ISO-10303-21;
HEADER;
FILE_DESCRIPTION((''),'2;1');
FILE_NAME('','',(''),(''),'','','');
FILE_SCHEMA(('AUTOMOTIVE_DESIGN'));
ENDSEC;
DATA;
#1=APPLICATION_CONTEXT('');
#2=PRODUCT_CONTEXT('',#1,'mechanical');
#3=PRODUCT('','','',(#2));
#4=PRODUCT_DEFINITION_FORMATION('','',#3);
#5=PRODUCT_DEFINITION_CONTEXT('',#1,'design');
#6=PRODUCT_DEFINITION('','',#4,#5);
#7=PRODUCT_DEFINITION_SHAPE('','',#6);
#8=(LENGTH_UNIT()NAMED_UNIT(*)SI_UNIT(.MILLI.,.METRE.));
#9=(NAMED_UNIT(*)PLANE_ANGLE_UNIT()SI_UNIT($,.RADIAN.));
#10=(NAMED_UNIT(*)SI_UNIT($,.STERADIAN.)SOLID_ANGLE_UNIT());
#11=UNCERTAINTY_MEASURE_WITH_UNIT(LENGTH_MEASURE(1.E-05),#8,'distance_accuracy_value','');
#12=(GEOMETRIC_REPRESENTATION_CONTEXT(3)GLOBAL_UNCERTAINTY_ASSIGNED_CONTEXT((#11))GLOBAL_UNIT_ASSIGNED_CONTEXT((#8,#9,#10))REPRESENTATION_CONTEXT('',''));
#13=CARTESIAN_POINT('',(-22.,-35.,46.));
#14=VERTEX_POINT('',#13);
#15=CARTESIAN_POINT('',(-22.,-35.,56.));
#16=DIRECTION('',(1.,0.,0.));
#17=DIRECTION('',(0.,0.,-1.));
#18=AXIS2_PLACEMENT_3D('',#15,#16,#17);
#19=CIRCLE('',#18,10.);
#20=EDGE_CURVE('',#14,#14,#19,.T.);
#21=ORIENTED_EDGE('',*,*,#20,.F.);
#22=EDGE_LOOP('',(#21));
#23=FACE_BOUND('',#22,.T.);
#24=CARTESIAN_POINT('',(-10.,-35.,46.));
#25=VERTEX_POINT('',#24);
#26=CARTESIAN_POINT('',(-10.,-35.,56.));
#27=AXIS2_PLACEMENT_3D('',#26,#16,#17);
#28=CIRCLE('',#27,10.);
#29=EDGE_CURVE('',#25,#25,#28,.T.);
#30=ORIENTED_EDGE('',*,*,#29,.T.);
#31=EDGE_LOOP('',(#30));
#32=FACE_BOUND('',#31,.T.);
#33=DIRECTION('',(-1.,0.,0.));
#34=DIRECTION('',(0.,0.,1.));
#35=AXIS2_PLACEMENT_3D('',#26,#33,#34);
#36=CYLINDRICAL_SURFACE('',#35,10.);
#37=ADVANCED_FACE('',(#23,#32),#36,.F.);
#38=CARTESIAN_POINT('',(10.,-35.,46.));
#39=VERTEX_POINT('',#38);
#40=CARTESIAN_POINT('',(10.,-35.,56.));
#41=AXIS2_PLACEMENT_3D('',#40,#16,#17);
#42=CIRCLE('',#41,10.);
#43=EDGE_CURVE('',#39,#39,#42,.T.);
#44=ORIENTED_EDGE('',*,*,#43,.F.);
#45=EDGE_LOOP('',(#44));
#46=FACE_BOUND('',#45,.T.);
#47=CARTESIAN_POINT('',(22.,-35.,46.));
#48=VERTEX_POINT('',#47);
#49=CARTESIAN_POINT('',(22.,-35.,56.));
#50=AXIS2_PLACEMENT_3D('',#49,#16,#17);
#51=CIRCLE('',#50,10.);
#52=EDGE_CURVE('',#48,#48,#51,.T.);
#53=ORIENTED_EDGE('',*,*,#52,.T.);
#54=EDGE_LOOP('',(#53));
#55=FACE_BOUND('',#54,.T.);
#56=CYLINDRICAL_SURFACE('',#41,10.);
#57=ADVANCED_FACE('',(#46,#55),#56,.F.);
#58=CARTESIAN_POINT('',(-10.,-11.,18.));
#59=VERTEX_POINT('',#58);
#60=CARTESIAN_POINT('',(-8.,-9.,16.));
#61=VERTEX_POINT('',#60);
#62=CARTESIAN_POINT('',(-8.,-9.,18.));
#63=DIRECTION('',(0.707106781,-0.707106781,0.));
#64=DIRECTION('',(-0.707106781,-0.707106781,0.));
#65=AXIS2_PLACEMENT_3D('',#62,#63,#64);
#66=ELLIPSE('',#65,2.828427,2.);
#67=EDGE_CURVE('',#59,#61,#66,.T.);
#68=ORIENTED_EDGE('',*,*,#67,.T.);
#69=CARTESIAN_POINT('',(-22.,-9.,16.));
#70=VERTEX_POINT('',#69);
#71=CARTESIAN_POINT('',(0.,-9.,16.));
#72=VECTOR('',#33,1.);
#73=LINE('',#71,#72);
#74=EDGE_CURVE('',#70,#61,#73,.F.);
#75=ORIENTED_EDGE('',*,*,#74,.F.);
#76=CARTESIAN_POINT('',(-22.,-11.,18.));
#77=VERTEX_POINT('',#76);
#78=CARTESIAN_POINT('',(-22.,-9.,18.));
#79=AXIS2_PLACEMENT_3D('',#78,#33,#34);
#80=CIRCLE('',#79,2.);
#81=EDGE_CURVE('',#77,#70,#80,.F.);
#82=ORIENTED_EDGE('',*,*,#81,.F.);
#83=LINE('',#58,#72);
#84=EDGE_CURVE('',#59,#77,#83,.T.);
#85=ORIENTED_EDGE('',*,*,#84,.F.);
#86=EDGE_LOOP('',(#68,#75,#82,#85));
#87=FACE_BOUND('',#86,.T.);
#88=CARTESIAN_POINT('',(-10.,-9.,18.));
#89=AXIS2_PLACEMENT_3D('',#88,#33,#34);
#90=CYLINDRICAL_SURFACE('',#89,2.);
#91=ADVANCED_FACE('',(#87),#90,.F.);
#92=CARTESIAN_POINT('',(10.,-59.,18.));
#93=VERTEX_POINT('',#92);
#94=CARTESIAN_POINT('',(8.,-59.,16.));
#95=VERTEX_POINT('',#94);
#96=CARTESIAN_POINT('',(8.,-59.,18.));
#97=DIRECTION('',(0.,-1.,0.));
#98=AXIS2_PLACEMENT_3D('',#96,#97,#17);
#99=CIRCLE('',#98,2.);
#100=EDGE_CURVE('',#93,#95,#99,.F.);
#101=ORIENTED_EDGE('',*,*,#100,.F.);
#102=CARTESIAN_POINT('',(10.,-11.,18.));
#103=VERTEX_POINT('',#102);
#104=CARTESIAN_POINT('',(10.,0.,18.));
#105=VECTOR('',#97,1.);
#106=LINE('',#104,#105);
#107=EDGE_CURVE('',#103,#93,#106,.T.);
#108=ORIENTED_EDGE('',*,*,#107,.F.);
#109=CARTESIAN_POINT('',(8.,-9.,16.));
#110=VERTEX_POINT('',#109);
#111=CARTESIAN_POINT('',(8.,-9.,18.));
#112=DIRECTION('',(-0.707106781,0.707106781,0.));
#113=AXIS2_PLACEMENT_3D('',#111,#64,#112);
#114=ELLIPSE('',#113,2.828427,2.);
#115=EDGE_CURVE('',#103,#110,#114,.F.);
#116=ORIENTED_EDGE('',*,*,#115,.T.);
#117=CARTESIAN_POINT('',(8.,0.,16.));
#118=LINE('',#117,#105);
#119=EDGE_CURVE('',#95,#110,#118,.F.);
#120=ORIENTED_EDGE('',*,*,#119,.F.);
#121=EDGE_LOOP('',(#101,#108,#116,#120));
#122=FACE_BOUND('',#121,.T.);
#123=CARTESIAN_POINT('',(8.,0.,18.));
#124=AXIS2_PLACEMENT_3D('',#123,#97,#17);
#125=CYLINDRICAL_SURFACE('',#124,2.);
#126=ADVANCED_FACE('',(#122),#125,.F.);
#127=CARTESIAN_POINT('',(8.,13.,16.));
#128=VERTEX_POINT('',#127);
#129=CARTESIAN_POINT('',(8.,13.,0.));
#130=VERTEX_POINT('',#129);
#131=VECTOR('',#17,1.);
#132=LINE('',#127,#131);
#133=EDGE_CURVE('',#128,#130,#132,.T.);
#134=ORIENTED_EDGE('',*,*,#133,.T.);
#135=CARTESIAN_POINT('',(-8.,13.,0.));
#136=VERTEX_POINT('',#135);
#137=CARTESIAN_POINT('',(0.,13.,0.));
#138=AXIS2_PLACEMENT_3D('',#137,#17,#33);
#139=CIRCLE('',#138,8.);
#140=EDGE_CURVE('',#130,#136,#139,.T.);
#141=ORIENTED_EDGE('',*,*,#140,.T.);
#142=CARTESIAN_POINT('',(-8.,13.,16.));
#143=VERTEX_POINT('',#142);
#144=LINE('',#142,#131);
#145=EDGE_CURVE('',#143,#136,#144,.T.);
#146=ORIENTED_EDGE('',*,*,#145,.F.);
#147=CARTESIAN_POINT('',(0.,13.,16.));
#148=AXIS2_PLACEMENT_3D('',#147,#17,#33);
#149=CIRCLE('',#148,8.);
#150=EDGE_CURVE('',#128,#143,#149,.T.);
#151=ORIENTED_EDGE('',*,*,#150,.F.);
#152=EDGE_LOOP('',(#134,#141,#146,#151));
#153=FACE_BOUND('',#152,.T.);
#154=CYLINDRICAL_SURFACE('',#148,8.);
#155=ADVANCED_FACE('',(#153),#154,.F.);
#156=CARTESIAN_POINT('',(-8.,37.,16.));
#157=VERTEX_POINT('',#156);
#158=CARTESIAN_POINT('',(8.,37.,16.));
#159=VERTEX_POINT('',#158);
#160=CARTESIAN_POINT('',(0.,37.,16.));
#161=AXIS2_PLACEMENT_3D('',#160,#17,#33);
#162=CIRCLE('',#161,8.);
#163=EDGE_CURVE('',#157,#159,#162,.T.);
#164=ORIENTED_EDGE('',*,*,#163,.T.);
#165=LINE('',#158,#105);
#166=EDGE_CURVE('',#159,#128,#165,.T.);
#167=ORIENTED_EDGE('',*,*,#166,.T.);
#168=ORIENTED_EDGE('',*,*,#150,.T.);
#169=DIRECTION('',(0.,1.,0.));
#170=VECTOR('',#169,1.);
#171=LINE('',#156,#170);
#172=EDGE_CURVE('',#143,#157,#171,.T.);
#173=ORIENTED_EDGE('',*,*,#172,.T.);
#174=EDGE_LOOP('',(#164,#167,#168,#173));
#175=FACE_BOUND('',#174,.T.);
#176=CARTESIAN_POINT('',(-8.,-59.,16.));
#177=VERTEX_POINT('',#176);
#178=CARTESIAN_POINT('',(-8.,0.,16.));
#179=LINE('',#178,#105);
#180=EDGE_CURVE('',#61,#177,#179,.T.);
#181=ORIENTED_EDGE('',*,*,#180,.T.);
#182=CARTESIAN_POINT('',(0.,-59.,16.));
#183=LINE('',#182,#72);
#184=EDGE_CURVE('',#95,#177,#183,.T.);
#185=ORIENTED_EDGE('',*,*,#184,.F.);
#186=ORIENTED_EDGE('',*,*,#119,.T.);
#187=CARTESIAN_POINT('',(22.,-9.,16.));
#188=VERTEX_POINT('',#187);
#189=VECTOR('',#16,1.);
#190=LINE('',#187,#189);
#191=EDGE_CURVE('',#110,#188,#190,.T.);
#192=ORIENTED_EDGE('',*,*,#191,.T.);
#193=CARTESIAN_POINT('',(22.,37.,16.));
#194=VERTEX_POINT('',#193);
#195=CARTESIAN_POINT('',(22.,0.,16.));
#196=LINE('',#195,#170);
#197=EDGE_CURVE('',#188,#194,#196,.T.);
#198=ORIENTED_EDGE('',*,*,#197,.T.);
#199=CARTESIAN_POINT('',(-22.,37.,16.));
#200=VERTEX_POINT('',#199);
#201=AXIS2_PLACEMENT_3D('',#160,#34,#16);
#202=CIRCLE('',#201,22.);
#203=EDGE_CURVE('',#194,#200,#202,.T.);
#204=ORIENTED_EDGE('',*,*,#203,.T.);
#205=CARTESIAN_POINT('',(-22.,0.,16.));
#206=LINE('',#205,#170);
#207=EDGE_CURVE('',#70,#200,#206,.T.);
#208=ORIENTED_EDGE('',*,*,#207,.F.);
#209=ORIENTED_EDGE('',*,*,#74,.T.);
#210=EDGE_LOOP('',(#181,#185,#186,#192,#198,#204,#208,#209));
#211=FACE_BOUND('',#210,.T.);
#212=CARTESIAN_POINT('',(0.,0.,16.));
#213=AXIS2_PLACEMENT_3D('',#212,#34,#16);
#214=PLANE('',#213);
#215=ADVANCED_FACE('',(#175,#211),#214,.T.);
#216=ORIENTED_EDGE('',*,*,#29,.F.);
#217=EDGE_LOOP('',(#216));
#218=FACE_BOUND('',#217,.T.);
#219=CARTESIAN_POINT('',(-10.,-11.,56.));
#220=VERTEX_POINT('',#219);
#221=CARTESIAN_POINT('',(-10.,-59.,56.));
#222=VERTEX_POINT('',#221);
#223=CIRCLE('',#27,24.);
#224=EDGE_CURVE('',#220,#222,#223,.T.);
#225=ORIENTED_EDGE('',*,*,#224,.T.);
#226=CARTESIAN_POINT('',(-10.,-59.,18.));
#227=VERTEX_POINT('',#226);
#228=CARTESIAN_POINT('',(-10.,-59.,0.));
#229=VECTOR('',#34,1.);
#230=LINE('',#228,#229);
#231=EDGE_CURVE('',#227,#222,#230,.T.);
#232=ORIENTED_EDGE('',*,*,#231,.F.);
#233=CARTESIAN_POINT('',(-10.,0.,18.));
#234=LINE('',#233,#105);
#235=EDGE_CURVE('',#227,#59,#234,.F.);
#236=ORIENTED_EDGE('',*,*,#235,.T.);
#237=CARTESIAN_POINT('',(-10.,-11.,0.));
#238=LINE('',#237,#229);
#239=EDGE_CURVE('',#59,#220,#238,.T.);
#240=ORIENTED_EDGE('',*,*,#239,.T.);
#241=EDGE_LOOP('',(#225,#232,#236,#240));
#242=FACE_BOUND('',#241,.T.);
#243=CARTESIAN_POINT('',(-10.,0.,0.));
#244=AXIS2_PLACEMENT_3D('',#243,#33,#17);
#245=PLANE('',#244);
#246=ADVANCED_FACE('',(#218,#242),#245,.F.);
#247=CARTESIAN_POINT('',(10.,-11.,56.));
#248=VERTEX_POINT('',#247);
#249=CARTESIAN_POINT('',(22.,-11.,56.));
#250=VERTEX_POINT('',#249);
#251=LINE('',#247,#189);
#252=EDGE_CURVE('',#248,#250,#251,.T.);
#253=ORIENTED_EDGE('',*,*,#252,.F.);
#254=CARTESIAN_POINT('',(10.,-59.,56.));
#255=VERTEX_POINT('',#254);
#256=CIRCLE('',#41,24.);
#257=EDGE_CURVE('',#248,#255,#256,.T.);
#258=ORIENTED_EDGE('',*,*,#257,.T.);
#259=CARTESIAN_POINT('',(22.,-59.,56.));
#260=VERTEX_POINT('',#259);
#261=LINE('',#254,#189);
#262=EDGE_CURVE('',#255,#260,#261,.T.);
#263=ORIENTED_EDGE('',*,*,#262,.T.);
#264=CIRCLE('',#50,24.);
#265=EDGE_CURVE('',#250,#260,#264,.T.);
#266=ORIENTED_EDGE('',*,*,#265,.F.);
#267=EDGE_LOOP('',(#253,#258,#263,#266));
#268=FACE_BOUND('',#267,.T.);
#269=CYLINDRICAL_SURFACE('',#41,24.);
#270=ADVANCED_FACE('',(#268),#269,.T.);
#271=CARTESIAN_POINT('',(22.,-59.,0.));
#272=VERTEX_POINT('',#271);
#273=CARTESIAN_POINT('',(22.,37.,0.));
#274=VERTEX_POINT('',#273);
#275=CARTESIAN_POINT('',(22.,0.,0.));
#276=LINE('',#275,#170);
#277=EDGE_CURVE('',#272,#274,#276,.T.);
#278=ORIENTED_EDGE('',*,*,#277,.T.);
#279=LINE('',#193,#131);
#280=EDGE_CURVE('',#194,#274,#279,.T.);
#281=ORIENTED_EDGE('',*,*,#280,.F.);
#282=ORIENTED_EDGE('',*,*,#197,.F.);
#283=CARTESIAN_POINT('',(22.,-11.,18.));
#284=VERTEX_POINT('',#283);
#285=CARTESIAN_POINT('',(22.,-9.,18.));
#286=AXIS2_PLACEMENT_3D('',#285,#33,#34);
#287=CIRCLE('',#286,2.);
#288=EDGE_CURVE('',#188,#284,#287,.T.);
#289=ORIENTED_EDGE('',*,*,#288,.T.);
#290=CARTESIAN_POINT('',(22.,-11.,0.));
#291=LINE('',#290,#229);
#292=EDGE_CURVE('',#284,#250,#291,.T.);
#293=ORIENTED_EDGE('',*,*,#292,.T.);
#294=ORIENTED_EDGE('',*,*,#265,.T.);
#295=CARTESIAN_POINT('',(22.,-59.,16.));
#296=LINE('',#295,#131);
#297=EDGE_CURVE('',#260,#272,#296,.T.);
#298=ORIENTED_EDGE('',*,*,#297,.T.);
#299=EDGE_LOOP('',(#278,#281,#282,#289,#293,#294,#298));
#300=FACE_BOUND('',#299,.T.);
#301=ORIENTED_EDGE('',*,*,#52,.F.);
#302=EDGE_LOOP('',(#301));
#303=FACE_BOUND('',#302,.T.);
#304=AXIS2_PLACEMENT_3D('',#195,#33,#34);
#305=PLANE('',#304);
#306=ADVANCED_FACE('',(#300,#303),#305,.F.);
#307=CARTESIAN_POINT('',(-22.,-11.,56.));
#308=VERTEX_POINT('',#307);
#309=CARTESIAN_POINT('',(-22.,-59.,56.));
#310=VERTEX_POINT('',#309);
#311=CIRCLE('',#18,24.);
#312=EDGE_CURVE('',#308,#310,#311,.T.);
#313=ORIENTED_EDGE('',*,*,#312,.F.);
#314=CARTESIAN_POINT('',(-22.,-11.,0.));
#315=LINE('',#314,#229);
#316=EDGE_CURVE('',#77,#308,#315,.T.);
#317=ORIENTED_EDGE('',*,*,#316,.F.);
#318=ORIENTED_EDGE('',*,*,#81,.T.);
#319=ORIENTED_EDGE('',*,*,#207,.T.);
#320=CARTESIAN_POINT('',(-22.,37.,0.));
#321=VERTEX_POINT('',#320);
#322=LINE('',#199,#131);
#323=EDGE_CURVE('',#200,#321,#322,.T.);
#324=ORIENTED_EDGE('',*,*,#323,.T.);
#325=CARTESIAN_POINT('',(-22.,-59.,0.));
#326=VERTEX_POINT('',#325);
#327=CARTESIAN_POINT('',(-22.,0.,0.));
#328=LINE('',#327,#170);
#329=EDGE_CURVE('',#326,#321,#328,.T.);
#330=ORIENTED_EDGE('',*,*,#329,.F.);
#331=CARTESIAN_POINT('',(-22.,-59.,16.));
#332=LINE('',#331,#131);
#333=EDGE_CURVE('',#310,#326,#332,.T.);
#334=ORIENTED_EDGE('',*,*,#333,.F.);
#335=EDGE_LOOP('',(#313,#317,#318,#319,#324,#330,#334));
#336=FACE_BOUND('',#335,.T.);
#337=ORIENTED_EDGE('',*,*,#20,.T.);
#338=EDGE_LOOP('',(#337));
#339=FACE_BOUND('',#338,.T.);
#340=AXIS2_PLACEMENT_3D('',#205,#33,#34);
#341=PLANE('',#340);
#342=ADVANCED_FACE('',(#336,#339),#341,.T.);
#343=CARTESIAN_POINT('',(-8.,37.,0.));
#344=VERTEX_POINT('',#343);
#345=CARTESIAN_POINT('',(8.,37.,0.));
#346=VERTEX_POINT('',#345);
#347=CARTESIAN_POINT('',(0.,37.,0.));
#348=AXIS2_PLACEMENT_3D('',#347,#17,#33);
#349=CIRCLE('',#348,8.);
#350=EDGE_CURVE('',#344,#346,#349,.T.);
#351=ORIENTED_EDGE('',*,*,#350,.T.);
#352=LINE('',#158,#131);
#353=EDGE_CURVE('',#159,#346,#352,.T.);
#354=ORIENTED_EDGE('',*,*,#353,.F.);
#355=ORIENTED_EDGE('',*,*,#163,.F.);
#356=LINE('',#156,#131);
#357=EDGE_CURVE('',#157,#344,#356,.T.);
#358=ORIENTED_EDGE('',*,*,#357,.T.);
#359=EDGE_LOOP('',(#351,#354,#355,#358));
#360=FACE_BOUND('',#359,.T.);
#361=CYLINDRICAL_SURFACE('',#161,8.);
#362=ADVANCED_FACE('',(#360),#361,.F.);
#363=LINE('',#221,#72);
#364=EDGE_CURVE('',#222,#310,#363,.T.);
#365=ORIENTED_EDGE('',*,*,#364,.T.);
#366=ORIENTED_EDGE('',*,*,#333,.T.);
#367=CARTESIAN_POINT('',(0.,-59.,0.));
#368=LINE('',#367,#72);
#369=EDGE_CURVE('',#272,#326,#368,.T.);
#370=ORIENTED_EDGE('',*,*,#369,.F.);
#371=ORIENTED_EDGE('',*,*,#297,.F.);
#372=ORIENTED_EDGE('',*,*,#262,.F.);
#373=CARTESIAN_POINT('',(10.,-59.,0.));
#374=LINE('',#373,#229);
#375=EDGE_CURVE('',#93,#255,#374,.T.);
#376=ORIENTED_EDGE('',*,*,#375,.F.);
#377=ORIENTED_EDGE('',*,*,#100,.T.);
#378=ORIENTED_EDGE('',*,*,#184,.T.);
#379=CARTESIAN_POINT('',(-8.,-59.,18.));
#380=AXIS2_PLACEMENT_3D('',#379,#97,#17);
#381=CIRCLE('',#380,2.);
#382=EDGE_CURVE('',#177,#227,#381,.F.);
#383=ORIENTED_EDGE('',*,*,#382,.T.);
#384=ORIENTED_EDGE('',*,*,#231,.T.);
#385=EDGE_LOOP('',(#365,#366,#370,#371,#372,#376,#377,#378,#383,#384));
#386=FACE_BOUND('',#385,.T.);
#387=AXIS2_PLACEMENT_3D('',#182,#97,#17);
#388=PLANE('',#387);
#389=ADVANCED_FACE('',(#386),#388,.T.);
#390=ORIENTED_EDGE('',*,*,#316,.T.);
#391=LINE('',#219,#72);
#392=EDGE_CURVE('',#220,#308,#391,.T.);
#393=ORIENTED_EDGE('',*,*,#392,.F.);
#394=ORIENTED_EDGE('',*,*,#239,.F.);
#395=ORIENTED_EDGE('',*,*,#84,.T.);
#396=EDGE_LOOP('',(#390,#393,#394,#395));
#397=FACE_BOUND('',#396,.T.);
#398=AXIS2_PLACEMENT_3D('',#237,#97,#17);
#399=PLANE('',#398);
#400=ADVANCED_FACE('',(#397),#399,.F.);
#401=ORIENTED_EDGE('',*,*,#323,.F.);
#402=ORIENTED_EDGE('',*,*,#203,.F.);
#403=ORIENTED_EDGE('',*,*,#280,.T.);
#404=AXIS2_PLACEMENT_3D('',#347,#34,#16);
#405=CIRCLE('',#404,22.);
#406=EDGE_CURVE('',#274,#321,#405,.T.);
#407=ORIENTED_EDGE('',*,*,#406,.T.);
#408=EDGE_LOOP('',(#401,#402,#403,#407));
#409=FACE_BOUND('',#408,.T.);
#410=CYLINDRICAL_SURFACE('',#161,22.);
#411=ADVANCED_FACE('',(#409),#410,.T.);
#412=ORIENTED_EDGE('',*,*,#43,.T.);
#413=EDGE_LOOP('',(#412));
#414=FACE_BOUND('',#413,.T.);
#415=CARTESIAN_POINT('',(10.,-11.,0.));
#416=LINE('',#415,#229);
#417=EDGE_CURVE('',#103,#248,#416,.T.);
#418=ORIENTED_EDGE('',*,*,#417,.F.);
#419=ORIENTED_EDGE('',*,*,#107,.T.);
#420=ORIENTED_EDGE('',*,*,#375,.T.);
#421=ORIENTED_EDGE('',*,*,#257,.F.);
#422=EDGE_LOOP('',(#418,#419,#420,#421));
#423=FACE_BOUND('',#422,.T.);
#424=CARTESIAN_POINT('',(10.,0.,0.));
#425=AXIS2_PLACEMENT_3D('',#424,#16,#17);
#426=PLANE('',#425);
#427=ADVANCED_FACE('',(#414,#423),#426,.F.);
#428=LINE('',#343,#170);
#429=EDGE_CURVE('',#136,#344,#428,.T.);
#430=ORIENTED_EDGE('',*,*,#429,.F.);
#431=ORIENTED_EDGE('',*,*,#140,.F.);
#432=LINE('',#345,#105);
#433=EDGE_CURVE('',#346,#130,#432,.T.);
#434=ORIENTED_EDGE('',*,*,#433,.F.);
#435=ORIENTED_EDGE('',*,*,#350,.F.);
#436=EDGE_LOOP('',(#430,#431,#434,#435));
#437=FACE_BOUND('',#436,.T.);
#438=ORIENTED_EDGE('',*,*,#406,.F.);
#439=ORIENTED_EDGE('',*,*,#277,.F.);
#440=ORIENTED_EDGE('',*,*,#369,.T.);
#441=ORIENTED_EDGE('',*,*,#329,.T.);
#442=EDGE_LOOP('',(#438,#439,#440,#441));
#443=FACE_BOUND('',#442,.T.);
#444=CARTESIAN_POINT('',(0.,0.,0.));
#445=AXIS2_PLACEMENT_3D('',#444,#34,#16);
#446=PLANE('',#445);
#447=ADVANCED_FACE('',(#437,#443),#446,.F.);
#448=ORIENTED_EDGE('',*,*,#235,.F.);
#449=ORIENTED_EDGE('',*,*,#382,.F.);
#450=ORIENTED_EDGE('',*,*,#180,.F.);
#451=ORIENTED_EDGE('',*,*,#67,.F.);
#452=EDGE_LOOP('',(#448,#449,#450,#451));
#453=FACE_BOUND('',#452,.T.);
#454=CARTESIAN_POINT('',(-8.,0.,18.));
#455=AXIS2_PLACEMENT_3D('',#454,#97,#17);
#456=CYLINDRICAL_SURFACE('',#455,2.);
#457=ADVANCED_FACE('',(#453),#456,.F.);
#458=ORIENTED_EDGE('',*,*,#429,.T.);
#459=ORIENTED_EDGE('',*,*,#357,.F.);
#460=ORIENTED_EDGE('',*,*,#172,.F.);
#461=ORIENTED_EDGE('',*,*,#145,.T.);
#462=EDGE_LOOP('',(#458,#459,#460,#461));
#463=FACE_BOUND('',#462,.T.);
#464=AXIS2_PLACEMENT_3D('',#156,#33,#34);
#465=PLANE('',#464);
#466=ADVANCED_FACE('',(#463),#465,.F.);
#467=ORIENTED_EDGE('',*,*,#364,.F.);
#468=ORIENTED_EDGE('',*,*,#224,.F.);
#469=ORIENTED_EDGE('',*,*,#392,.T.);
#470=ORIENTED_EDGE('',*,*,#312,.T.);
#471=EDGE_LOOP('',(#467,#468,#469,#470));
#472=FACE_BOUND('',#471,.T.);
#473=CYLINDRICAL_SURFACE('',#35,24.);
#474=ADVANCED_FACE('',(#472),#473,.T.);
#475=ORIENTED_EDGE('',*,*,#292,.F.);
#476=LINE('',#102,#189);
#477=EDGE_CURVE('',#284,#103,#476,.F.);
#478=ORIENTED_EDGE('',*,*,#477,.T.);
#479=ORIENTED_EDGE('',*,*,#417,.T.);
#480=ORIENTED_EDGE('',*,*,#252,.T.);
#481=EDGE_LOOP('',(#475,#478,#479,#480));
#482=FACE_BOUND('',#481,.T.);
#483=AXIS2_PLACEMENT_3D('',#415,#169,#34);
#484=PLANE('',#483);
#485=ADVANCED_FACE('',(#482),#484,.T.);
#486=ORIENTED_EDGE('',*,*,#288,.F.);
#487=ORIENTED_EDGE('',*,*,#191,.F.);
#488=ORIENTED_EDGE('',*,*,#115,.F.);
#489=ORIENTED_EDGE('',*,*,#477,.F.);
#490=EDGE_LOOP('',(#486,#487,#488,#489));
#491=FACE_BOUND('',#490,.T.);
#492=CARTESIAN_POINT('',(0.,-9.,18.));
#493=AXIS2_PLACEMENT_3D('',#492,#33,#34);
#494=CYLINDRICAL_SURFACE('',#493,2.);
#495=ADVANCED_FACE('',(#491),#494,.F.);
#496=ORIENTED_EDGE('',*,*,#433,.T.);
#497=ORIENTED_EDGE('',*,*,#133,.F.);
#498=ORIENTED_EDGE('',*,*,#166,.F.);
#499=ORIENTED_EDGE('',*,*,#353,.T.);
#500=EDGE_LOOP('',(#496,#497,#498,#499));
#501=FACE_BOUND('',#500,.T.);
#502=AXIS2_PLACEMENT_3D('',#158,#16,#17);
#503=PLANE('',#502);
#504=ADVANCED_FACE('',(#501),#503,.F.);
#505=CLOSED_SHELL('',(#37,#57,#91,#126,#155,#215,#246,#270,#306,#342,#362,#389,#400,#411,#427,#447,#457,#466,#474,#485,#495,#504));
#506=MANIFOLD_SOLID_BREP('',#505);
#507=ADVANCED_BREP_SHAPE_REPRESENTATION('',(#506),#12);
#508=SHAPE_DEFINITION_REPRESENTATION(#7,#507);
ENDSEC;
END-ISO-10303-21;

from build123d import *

# Parameters (mm, degrees)
ESQUISSE1_R             = 22
BOSS_EXTRU_1_DEPTH      = 16
ENL_V_MAT_EXTRU_1_DEPTH = 16
BOSS_EXTRU_3_DEPTH      = 12
CONG_2_R                = 2


with BuildPart() as part:
    # Esquisse1 → Boss.-Extru.1 (new body)
    with BuildSketch(Plane(origin=(0, 0, 0), x_dir=(0, 1, 0), z_dir=(0, 0, 1))):
        with BuildLine():
            Line((-59, 22), (-59, -22))
            Line((-59, -22), (37, -22))
            ThreePointArc((37, -22), (15, 0), (37, 22))
            Line((37, 22), (-59, 22))
        make_face()
        with Locations((37, 0)):
            Circle(ESQUISSE1_R)
    extrude(amount=BOSS_EXTRU_1_DEPTH)

    # Esquisse2 → Enlèv. mat.-Extru.1 (cut)
    with BuildSketch(Plane(origin=(0, 0, 0), x_dir=(1, 0, 0), z_dir=(0, 0, -1))):
        with BuildLine():
            Line((-8, -37), (-8, -13))
            ThreePointArc((-8, -13), (0, -5), (8, -13))
            Line((8, -13), (8, -37))
            ThreePointArc((8, -37), (0, -45), (-8, -37))
        make_face()
    extrude(amount=-ENL_V_MAT_EXTRU_1_DEPTH, mode=Mode.SUBTRACT)

    # Esquisse3 → Boss.-Extru.3 (add)
    with BuildSketch(Plane.YZ.offset(22)):
        with BuildLine():
            Line((-59, 56), (-59, 16))
            Line((-59, 16), (-11, 16))
            Line((-11, 16), (-11, 56))
            ThreePointArc((-11, 56), (-35, 32), (-59, 56))
        make_face()
        with BuildLine():
            ThreePointArc((-11, 56), (-35, 80), (-59, 56))
            Line((-59, 56), (-45, 56))
            ThreePointArc((-45, 56), (-35, 66), (-25, 56))
            Line((-25, 56), (-11, 56))
        make_face()
        with BuildLine():
            Line((-45, 56), (-59, 56))
            ThreePointArc((-59, 56), (-35, 32), (-11, 56))
            Line((-11, 56), (-25, 56))
            ThreePointArc((-25, 56), (-35, 46), (-45, 56))
        make_face()
    boss_extru_3 = extrude(amount=-BOSS_EXTRU_3_DEPTH)

    # Symétrie1: Boss.-Extru.3 across plane
    add(boss_extru_3.mirror(Plane(origin=(0, 0, 0), x_dir=(0, 0, 1), z_dir=(1, 0, 0))))

    # Congé2
    cong_2_edges = [part.edges().sort_by_distance(p)[0] for p in [
        (16, -11, 16),
        (10, -35, 16),
        (-16, -11, 16),
        (-10, -35, 16),
    ]]
    fillet(cong_2_edges, radius=CONG_2_R)


solid = part.part
